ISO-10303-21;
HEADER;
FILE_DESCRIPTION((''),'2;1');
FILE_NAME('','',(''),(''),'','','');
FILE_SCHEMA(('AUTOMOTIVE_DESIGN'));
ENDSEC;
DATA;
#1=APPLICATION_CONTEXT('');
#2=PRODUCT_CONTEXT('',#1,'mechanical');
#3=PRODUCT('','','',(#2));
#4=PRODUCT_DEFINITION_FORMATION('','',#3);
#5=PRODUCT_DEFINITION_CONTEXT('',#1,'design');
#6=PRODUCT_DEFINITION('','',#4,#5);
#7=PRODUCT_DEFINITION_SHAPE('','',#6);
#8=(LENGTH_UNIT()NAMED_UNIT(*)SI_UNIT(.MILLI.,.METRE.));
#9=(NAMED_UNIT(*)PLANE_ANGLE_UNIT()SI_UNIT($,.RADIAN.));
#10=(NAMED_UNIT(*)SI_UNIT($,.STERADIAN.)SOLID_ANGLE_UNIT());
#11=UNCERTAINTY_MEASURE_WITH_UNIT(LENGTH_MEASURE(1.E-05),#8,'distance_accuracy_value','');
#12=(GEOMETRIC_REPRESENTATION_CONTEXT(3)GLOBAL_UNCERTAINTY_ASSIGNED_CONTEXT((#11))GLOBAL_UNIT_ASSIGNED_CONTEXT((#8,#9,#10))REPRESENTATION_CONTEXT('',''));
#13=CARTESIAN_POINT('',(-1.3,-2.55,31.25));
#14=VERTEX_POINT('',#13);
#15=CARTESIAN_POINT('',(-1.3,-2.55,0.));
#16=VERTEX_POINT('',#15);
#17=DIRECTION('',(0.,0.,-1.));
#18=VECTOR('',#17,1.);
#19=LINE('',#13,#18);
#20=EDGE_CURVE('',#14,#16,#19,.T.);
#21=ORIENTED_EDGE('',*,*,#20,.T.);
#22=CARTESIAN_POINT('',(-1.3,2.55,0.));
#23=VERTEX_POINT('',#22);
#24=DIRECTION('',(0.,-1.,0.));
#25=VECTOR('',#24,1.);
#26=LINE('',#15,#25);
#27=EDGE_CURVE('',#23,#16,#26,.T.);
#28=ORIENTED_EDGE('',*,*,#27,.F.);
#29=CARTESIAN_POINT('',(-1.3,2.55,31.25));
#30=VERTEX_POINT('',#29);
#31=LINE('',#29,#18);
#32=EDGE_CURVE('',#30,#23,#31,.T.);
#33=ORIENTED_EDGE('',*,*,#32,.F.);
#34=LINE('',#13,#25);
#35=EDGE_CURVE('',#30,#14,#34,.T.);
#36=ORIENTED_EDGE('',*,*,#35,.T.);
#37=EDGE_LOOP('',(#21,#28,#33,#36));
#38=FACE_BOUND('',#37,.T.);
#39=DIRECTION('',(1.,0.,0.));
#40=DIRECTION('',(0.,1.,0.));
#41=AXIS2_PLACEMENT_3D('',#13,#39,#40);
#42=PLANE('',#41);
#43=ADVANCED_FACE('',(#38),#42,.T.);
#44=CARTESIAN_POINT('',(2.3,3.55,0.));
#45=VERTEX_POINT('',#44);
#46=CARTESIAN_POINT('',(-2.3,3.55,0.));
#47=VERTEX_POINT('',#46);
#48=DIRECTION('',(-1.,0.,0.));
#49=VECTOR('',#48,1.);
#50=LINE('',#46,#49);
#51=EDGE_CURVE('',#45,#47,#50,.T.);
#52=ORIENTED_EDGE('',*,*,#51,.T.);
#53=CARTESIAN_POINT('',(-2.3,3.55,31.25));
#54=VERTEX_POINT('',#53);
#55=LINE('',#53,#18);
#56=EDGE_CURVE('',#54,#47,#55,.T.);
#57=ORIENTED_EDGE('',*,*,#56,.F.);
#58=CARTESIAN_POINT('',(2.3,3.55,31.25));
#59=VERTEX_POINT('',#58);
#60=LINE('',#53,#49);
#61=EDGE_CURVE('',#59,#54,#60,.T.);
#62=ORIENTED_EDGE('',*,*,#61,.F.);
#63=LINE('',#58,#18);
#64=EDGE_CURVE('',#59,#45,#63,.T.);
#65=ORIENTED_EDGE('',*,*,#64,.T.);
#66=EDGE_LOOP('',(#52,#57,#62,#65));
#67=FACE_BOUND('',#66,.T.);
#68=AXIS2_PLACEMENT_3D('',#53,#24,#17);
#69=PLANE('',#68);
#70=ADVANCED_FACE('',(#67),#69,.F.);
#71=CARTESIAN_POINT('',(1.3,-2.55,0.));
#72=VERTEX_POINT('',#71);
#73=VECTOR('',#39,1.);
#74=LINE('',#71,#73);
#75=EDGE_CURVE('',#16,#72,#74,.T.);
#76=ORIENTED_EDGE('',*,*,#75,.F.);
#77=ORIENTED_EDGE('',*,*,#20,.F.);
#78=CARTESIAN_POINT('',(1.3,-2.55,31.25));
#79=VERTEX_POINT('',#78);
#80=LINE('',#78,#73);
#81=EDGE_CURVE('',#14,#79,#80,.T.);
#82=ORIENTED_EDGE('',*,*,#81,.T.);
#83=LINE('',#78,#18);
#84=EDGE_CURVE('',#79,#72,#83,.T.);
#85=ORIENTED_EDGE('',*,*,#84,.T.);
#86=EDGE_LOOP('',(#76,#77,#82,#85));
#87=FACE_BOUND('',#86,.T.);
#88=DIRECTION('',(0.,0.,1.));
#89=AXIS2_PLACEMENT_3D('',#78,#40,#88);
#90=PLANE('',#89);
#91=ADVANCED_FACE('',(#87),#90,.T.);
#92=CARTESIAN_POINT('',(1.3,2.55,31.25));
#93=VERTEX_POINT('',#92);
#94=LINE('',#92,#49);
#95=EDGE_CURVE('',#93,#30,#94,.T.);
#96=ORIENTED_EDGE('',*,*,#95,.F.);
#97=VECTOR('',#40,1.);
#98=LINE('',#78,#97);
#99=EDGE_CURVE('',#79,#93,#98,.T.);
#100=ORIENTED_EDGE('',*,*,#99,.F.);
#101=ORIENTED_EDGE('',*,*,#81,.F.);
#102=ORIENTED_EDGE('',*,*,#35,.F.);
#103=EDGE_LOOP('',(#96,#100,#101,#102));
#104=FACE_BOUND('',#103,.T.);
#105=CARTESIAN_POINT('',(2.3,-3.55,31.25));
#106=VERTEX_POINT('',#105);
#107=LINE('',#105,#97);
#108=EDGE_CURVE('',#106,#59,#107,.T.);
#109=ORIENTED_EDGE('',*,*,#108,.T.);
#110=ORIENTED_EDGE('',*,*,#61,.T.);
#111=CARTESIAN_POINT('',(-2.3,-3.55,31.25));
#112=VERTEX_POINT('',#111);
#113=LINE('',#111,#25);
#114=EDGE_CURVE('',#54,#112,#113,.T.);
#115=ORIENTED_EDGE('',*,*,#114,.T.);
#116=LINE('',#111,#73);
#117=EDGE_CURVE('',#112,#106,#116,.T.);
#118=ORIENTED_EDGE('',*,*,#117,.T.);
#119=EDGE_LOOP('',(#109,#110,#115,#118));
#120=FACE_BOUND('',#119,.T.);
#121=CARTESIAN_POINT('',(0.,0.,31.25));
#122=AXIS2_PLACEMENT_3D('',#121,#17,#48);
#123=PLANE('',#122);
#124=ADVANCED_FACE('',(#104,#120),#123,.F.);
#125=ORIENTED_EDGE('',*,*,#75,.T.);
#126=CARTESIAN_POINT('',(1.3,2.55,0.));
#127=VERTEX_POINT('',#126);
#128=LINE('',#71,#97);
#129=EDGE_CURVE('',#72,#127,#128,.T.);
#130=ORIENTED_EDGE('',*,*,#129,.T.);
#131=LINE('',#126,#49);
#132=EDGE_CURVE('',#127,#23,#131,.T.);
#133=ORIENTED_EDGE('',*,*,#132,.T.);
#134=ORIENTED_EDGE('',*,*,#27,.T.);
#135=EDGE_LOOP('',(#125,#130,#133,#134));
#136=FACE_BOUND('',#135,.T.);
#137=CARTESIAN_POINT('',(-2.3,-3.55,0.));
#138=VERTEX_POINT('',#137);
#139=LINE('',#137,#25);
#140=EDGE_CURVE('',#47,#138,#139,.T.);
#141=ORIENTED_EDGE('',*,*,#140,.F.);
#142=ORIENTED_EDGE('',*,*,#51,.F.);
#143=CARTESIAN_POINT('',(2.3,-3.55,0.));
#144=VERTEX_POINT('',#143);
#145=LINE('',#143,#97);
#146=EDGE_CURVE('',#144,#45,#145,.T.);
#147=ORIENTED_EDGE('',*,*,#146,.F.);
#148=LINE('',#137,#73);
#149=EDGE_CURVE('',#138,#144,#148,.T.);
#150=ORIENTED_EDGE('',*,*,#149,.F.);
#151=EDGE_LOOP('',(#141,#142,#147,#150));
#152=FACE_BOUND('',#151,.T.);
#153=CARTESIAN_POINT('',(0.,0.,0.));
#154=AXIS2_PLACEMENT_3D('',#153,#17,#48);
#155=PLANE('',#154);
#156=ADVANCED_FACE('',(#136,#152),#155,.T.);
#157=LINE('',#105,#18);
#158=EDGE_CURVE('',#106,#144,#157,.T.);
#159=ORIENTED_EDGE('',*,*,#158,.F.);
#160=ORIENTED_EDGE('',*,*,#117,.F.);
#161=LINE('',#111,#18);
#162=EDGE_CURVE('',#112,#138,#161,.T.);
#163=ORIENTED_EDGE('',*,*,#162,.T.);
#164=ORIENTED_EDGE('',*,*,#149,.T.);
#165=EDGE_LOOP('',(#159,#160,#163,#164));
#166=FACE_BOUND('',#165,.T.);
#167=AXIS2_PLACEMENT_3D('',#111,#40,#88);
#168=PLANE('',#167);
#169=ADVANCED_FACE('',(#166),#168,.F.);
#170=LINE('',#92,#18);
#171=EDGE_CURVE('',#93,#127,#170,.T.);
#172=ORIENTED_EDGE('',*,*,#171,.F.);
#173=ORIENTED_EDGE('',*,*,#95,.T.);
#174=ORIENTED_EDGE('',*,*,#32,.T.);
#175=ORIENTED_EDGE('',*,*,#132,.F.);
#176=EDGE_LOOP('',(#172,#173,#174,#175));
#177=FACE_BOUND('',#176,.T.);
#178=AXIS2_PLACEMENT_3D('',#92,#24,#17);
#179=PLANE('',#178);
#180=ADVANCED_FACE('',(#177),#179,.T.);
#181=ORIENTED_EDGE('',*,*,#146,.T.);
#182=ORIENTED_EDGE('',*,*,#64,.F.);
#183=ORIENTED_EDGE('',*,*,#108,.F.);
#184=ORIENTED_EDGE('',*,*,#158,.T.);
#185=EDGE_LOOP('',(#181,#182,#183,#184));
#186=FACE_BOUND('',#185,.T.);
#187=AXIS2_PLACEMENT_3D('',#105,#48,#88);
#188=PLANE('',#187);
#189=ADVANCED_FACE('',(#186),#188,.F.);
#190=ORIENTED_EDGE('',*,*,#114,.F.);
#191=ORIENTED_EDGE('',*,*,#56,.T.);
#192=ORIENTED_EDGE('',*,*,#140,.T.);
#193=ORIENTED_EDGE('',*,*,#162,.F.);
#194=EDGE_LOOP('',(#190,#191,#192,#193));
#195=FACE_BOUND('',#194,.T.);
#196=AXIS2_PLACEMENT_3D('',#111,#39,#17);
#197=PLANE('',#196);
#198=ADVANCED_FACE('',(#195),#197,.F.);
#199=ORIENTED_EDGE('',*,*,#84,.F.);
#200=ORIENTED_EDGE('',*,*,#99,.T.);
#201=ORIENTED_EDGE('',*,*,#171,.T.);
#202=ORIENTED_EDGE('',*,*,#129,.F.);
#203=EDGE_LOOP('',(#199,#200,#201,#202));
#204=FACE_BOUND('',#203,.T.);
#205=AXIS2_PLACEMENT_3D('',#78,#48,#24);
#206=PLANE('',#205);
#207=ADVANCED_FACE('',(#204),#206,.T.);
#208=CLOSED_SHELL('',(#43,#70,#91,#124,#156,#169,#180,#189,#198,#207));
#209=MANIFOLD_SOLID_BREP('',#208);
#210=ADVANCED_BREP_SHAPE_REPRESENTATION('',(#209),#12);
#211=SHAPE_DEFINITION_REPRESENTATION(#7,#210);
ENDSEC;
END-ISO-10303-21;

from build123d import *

# Parameters (mm, degrees)
SKETCH1_W           = 4.6
SKETCH1_H           = 7.1
SKETCH1_W_2         = 2.6
SKETCH1_H_2         = 5.1
BOSS_EXTRUDE1_DEPTH = 31.25


with BuildPart() as part:
    # Sketch1 → Boss-Extrude1 (new body)
    with BuildSketch(Plane.XY):
        Rectangle(SKETCH1_W, SKETCH1_H)
        Rectangle(SKETCH1_W_2, SKETCH1_H_2, mode=Mode.SUBTRACT)
    extrude(amount=BOSS_EXTRUDE1_DEPTH)


solid = part.part
